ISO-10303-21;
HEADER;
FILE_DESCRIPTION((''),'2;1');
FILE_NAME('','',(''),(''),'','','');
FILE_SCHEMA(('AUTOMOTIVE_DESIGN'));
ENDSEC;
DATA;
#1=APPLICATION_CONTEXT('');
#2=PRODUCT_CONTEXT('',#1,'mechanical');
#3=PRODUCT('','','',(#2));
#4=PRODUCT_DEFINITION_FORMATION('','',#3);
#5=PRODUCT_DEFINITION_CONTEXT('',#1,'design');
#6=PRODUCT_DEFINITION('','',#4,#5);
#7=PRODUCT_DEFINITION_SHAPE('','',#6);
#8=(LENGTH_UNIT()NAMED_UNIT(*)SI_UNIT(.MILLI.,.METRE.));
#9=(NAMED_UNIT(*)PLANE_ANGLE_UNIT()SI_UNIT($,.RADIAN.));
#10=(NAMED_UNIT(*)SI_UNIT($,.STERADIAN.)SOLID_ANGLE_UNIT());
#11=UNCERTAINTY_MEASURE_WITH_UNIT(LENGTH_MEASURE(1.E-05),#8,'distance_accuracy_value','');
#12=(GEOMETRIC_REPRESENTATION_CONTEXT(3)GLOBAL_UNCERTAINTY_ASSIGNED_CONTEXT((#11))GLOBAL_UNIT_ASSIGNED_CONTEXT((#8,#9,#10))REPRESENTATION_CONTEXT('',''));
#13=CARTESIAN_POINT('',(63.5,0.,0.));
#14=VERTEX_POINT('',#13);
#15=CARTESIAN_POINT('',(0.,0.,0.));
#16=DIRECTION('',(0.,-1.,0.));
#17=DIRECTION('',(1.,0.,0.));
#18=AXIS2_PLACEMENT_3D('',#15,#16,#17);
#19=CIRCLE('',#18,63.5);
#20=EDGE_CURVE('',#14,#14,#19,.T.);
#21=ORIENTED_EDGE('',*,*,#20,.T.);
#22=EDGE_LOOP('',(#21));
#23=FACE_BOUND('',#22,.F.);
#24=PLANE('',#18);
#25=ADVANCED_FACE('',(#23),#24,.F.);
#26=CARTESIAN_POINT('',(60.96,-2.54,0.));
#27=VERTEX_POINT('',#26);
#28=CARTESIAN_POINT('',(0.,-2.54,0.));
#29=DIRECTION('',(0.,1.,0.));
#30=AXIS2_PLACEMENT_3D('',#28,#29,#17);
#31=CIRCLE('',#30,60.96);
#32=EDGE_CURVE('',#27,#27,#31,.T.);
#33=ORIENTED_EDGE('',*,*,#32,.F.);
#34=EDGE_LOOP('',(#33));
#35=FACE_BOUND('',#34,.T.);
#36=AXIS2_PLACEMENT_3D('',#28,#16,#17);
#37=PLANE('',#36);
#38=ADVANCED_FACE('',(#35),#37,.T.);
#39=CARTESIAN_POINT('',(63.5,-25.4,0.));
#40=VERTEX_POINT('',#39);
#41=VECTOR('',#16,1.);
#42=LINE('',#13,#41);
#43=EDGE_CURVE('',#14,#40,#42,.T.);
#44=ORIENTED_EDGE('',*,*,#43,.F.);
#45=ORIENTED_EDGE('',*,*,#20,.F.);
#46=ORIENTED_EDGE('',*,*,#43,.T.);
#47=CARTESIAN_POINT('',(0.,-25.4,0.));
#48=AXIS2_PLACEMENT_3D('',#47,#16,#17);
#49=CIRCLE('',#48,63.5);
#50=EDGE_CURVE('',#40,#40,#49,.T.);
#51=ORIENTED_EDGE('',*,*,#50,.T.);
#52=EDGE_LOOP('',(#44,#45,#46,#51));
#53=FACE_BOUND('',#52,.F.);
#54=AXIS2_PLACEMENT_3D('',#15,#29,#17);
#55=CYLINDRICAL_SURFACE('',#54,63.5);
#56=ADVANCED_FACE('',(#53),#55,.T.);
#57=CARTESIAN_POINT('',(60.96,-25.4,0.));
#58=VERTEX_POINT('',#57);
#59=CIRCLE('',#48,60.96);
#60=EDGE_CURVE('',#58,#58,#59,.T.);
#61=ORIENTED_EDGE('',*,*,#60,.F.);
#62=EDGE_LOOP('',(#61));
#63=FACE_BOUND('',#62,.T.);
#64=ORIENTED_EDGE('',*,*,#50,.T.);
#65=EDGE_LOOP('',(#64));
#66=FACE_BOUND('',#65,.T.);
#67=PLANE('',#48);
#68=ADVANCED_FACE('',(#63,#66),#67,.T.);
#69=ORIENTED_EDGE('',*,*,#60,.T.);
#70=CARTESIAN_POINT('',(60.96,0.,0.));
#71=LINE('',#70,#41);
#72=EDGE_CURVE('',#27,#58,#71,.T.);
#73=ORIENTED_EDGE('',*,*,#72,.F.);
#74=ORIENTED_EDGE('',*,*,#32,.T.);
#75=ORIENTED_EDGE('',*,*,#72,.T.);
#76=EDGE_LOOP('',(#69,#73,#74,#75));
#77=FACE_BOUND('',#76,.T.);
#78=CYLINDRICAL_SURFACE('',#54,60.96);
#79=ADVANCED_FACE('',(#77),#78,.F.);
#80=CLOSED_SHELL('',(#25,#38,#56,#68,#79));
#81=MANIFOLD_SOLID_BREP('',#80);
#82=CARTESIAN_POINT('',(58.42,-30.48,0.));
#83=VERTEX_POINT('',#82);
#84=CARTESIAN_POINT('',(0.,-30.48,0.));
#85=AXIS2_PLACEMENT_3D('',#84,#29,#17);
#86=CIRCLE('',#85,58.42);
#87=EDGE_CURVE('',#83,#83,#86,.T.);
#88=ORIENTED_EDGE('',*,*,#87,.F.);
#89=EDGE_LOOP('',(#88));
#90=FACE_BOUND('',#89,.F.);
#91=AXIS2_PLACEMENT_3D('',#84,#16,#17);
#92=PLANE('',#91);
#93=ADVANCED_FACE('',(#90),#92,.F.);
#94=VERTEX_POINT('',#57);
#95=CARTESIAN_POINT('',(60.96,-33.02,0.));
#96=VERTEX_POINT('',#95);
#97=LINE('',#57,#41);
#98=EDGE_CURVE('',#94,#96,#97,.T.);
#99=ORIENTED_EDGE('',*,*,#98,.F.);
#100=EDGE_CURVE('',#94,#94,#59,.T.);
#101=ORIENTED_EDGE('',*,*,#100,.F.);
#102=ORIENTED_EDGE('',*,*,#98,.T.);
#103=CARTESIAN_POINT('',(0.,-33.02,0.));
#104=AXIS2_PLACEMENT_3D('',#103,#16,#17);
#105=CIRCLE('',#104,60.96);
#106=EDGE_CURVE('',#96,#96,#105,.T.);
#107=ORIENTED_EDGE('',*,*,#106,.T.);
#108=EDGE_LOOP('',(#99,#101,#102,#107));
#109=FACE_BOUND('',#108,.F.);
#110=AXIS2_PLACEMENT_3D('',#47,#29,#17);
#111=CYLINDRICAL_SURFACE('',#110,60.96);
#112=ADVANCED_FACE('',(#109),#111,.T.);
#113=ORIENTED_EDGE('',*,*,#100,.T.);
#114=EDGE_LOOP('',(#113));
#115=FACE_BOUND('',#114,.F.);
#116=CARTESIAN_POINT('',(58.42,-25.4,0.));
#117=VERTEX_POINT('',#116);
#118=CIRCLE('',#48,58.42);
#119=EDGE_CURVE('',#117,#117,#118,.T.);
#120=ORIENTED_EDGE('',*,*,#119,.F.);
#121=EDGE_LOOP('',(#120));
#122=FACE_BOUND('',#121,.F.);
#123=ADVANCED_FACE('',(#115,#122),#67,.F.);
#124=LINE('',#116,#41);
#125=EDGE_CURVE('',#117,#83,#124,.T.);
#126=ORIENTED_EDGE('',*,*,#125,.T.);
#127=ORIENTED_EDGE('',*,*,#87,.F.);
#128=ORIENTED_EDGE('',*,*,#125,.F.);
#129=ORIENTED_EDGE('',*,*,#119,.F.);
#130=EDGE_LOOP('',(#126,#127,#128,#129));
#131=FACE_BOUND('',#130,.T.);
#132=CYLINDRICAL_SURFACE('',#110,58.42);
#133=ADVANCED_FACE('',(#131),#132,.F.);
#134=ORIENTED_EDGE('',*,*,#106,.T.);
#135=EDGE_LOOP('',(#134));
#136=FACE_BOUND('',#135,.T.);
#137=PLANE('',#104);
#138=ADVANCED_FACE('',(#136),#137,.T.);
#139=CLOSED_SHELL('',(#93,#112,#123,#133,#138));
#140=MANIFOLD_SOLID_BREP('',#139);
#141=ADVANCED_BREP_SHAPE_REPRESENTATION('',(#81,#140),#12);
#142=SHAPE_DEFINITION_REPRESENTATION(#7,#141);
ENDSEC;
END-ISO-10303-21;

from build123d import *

# Parameters (mm, degrees)
F0_R     = 63.5
F1_DEPTH = 25.4
F2_T     = -2.54
F4_R     = 60.96
F3_DEPTH = 7.62
F5_T     = -2.54


with BuildPart() as f1:
    # F0 (on Front) → F1 (new body)
    with BuildSketch(Plane.XZ):
        Circle(F0_R)
    extrude(amount=F1_DEPTH)

    # F2
    f2_openings = [f1.faces().sort_by_distance(p)[0] for p in [
        (0, -25.4, 0),
    ]]
    offset(amount=F2_T, openings=f2_openings)


with BuildPart() as f3:
    # F4 (on face) → F3 (new body)
    with BuildSketch(Plane.XZ.offset(25.4)):
        Circle(F4_R)
    extrude(amount=F3_DEPTH)

    # F5
    f5_openings = [f3.faces().sort_by_distance(p)[0] for p in [
        (0, -25.4, 0),
    ]]
    offset(amount=F5_T, openings=f5_openings)


solid = Compound([f1.part, f3.part])
